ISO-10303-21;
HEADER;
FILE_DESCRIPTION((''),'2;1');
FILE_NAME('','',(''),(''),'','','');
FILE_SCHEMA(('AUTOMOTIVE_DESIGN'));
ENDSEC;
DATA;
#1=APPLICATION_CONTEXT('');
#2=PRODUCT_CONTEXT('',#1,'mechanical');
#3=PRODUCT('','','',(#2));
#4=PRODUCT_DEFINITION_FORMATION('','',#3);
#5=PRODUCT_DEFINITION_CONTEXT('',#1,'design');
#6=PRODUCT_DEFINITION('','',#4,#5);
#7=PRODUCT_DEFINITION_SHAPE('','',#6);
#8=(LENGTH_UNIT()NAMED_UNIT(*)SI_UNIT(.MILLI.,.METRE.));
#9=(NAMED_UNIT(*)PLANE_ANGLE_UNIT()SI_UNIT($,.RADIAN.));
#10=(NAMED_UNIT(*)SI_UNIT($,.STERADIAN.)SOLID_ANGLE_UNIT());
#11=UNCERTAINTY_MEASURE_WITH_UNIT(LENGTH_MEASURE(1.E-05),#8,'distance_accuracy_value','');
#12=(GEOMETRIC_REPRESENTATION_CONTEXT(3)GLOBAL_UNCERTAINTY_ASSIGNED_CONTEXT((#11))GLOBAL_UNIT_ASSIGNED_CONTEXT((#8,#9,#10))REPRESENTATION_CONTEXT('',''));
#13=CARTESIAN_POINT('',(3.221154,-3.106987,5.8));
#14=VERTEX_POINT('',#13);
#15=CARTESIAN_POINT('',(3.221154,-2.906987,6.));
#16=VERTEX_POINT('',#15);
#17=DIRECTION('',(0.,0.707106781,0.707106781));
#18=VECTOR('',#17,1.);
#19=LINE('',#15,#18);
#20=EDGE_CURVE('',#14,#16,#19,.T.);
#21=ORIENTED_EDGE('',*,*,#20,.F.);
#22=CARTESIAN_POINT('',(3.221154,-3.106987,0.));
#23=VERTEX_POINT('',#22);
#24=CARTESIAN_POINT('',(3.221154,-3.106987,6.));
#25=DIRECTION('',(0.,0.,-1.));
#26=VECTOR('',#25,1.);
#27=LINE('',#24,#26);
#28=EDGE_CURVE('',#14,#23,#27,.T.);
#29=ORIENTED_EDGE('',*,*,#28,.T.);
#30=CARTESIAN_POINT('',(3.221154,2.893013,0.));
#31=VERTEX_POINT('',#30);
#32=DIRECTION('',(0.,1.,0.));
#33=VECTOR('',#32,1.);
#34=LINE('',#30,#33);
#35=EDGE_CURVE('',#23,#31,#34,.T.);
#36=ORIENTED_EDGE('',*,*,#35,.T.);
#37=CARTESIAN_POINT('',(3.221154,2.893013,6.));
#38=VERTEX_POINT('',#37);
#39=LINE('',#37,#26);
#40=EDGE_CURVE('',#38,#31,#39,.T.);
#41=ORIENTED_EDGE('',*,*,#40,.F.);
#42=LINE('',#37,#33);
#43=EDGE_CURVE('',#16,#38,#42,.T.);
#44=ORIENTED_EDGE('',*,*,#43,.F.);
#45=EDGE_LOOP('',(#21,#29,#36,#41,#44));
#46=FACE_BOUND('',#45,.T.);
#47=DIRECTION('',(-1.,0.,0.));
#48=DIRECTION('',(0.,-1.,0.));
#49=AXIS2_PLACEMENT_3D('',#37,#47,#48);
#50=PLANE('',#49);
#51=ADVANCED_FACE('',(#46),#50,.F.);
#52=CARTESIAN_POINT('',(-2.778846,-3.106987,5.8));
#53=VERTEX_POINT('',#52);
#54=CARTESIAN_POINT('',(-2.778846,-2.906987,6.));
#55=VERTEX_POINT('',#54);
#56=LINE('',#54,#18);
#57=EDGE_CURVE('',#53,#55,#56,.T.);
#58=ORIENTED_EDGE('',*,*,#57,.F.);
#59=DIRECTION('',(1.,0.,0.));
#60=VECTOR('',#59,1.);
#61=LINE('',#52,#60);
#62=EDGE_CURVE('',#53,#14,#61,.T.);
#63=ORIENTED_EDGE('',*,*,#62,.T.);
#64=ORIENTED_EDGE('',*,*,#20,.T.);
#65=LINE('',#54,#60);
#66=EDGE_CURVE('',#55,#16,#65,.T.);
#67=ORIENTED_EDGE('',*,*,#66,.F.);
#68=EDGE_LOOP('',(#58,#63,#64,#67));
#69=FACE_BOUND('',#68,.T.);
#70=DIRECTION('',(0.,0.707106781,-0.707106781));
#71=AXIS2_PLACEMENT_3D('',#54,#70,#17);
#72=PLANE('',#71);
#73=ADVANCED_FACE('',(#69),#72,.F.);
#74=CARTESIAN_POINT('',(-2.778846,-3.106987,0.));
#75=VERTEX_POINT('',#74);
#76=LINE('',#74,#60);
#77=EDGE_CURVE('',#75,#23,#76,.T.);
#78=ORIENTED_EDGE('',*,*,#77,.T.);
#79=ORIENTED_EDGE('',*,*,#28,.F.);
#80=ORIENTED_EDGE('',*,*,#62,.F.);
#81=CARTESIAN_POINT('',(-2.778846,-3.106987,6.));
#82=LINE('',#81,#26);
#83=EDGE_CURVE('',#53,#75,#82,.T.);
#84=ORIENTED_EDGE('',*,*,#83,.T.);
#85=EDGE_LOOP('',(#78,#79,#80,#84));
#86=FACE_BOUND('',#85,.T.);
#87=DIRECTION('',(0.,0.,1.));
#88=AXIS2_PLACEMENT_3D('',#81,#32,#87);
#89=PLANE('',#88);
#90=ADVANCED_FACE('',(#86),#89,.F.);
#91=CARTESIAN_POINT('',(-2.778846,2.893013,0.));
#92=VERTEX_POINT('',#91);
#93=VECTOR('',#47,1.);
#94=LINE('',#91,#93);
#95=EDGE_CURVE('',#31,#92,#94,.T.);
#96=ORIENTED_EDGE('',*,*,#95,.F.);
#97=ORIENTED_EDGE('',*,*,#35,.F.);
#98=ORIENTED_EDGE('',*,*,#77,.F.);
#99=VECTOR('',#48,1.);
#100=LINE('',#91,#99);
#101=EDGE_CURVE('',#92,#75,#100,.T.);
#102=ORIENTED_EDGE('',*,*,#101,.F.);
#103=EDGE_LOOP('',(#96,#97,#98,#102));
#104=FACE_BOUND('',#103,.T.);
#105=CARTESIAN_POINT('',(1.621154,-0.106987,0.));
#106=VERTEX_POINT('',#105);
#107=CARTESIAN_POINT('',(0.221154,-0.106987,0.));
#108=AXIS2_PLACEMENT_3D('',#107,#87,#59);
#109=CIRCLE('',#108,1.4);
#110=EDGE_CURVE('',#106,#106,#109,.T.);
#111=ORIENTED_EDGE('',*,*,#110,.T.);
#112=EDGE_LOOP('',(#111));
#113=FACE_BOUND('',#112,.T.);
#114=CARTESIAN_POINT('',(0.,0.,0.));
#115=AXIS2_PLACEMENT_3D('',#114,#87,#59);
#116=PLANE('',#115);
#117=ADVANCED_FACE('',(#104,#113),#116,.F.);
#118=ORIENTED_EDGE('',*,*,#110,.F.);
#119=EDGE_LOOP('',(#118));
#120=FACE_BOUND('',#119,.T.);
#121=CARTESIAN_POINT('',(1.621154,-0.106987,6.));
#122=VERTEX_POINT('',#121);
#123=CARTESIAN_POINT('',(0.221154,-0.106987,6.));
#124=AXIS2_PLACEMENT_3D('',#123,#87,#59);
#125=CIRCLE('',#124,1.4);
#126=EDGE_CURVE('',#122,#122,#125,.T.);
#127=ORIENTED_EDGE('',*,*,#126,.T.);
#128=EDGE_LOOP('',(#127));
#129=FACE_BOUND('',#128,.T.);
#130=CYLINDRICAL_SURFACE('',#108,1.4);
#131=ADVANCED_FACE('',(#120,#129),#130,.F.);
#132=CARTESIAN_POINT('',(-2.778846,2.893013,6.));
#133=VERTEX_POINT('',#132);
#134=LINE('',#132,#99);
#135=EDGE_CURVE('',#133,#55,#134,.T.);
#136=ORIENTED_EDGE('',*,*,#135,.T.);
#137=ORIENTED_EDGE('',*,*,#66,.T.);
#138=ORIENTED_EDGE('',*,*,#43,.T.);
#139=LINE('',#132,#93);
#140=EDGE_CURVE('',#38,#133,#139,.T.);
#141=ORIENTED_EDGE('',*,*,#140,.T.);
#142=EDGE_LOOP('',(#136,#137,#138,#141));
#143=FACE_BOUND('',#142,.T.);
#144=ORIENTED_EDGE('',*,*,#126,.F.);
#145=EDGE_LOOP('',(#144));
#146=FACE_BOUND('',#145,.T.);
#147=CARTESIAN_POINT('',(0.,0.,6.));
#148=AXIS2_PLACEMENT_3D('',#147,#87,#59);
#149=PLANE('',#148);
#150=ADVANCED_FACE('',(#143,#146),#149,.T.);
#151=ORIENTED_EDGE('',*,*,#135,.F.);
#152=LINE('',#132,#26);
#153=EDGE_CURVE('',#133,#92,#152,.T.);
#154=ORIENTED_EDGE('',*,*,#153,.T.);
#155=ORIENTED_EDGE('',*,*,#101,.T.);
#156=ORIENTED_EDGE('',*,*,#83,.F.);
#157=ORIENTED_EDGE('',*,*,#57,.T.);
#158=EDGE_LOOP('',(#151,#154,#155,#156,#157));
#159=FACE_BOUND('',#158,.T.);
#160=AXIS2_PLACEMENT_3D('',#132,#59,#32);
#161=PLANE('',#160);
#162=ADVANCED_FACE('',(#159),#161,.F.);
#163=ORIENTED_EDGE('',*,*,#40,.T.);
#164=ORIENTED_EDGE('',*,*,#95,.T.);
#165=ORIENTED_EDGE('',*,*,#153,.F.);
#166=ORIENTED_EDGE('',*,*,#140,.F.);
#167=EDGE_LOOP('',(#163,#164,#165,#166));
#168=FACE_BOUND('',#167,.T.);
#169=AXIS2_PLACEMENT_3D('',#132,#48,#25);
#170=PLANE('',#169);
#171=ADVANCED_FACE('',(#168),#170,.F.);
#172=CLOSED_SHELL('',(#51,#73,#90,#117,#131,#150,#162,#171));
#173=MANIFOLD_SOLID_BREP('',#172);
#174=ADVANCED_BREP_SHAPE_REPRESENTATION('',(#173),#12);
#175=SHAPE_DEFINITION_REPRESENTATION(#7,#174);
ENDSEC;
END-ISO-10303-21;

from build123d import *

# Parameters (mm, degrees)
SKETCH_1_W          = 6
SKETCH_1_H          = 6
EXTRUDE_1_DEPTH     = 6
SKETCH_2_R          = 1.4
CUT_EXTRUDE_1_DEPTH = 7
CUT_EXTRUDE_2_DEPTH = 7


with BuildPart() as part:
    # ｽｹｯﾁ1 → ﾎﾞｽ - 押し出し1 (new body)
    with BuildSketch(Plane.XY):
        with Locations((0.221154353, -0.1069869)):
            Rectangle(SKETCH_1_W, SKETCH_1_H)
    extrude(amount=EXTRUDE_1_DEPTH)

    # ｽｹｯﾁ2 → ｶｯﾄ - 押し出し1 (cut, through all)
    with BuildSketch(Plane.XY.offset(6)):
        with Locations((0.221154353, -0.1069869)):
            Circle(SKETCH_2_R)
    extrude(amount=-CUT_EXTRUDE_1_DEPTH, mode=Mode.SUBTRACT)

    # ｽｹｯﾁ3 → ｶｯﾄ - 押し出し2 (cut, through all)
    with BuildSketch(Plane(origin=(3.221154353, 0, 0), x_dir=(0, 0, -1), z_dir=(1, 0, 0))):
        Polygon((-6, -3.1069869), (-6, -2.9069869), (-5.8, -3.1069869), align=None)
    extrude(amount=-CUT_EXTRUDE_2_DEPTH, mode=Mode.SUBTRACT)


solid = part.part
